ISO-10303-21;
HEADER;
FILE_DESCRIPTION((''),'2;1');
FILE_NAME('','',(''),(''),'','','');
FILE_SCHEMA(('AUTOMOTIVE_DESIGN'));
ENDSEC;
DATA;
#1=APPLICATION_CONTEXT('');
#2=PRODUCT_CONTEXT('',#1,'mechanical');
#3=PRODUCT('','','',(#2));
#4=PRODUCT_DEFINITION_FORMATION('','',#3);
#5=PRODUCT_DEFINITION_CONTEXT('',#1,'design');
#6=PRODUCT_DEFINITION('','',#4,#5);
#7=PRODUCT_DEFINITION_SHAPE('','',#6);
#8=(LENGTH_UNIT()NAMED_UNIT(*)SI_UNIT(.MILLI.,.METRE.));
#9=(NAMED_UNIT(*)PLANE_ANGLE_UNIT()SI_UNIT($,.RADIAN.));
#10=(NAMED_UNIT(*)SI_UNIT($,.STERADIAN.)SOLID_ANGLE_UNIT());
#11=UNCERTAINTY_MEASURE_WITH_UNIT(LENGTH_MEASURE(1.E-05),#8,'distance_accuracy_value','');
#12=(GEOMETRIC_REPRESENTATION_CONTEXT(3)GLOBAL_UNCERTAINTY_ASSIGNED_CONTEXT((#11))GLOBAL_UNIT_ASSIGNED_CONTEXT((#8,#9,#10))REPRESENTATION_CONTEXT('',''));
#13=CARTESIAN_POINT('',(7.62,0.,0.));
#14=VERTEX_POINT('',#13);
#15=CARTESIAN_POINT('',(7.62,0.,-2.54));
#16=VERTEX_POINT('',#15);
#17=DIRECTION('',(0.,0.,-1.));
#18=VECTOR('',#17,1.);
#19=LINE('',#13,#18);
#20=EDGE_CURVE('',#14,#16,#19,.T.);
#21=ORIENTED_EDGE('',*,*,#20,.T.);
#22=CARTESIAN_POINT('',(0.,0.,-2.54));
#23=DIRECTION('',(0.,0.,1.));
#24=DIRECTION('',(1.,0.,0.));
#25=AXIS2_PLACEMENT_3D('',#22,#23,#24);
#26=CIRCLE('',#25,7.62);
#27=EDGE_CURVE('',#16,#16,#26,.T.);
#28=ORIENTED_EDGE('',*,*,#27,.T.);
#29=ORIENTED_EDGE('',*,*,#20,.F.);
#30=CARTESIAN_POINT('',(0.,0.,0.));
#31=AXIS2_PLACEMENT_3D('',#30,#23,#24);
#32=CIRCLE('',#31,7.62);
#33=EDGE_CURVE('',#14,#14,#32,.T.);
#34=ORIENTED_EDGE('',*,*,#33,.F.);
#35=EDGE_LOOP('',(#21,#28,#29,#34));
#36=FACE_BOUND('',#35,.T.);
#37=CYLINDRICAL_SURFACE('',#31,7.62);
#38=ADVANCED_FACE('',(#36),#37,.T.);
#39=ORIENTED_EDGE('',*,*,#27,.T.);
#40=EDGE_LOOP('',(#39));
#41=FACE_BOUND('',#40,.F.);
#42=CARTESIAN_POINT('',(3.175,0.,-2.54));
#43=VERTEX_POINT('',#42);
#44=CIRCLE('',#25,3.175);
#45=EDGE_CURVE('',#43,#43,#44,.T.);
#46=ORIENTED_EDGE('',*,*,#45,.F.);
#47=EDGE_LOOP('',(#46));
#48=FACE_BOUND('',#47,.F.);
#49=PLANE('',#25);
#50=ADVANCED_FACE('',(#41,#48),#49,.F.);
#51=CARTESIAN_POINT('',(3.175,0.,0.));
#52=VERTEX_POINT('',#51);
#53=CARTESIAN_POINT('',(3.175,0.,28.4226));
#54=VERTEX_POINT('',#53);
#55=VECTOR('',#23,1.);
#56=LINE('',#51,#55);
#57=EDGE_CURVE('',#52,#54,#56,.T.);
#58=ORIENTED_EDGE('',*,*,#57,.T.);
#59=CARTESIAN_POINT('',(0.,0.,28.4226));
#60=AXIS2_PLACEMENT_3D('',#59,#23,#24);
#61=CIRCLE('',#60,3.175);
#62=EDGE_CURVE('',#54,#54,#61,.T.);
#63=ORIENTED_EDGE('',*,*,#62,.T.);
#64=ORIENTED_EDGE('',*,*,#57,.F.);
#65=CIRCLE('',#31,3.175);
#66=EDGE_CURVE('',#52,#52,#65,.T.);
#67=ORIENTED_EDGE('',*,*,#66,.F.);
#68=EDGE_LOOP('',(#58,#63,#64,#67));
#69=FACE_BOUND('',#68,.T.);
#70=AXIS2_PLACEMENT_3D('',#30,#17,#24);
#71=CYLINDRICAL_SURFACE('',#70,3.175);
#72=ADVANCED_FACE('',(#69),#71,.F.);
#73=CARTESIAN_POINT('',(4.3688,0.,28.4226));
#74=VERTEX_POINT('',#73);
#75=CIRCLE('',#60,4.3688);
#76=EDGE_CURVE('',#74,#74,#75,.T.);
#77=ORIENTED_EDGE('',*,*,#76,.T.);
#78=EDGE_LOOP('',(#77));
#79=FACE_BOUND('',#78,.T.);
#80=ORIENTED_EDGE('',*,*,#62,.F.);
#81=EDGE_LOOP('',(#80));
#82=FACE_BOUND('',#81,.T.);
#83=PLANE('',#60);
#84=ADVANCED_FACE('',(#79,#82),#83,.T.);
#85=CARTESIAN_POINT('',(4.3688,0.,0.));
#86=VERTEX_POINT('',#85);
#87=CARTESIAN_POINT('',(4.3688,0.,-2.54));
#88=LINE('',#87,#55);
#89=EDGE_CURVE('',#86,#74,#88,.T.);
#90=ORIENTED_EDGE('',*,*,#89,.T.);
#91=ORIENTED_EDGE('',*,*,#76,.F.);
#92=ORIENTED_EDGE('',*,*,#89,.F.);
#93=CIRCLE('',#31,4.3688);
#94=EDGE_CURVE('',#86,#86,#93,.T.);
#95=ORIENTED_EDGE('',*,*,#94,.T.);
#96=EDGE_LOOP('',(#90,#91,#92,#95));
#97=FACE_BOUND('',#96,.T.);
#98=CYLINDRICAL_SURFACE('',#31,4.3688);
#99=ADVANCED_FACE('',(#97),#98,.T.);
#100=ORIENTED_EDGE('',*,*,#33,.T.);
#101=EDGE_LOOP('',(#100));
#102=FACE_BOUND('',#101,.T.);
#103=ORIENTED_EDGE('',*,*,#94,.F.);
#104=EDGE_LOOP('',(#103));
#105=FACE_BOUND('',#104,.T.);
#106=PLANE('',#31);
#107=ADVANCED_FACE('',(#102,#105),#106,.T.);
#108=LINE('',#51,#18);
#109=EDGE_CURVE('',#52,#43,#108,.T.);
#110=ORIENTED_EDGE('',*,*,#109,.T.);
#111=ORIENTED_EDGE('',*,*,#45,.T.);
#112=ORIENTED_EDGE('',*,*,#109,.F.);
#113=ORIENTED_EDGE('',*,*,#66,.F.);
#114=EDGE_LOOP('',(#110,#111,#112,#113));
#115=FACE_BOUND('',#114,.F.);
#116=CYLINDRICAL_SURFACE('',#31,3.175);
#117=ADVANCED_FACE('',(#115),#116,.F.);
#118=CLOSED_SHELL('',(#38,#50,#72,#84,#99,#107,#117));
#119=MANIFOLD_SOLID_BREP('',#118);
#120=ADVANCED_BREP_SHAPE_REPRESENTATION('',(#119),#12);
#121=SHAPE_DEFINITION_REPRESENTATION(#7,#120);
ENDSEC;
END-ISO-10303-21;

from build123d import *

# Parameters (mm, degrees)
F0_R          = 4.3688
F0_R_2        = 3.175
F1_DEPTH      = 28.4226
F1_DEPTH_BACK = 2.54
F0_R_3        = 7.62
F2_DEPTH      = 2.54


with BuildPart() as f1:
    # F0 (on Top) → F1 (new body, two sides)
    with BuildSketch(Plane.XY) as f1_sk:
        Circle(F0_R)
        Circle(F0_R_2, mode=Mode.SUBTRACT)
    extrude(amount=F1_DEPTH)
    extrude(f1_sk.sketch, amount=-F1_DEPTH_BACK)

    # F0 (on Top) → F2 (join)
    with BuildSketch(Plane.XY):
        Circle(F0_R_3)
        Circle(F0_R, mode=Mode.SUBTRACT)
    extrude(amount=-F2_DEPTH)


solid = f1.part
